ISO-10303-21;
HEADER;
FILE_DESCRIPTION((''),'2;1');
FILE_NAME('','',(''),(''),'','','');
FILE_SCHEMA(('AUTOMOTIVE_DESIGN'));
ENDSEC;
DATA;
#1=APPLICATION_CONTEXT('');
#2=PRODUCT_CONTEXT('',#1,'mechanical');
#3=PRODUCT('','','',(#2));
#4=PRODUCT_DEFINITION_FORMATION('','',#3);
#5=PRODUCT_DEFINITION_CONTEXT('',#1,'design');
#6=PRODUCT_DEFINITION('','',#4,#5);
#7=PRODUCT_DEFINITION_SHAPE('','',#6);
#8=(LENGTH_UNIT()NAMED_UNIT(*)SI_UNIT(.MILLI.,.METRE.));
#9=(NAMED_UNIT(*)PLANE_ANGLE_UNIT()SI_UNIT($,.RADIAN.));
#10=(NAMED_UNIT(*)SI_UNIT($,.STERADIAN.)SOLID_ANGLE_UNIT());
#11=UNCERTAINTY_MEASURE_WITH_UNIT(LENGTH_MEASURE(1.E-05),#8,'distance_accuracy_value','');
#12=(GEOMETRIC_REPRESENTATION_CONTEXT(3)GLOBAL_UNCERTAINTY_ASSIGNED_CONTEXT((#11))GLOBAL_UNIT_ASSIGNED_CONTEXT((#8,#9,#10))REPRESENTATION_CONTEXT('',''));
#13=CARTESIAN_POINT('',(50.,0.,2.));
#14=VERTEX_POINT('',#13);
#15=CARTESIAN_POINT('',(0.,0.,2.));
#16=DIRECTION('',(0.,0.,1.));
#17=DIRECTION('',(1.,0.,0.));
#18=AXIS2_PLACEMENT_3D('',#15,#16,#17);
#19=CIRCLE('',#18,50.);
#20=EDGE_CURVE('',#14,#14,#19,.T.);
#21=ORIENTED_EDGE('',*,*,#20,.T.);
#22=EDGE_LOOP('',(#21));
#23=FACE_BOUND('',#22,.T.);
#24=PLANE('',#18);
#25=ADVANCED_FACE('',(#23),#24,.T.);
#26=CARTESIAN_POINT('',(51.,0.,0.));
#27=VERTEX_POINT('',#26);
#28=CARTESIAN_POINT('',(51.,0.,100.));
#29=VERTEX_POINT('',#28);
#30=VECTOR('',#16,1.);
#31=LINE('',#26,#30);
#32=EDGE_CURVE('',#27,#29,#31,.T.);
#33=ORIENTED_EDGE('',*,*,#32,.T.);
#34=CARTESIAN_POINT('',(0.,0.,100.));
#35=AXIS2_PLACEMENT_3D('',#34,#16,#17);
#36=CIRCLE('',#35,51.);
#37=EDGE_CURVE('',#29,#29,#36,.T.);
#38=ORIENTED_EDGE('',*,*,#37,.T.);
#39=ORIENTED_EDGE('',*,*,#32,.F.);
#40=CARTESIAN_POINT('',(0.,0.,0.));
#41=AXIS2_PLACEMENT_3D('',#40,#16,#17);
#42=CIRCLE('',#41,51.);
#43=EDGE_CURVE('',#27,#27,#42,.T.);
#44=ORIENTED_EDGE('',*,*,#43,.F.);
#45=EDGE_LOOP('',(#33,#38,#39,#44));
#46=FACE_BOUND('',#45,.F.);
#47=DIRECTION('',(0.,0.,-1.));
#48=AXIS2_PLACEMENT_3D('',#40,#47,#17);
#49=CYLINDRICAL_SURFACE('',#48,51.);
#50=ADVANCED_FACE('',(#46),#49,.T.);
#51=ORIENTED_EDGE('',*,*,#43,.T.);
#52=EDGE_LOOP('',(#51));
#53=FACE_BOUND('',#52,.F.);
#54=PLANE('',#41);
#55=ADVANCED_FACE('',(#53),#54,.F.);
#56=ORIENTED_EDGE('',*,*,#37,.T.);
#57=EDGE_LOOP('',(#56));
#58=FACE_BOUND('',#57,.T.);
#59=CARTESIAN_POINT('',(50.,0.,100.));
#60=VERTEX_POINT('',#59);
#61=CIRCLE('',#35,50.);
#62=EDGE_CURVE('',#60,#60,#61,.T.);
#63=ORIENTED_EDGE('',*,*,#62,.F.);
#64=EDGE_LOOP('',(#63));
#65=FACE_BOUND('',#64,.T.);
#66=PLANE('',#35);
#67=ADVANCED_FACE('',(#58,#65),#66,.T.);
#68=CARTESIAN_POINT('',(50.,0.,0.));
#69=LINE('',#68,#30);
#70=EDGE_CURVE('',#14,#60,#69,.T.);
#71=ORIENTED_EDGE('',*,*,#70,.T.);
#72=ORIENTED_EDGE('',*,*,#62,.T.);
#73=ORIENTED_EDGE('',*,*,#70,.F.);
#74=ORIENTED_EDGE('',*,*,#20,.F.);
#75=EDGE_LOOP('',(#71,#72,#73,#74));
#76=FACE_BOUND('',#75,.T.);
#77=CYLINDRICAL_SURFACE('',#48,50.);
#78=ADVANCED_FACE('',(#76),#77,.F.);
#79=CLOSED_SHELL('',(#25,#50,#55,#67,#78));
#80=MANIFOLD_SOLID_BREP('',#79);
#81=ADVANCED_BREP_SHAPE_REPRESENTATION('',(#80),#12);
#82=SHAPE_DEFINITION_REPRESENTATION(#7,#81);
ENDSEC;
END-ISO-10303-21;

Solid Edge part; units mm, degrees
sketch "Sketch1" plane through (0, 0, 0) normal (0, 0, 1) x (1, 0, 0)
  circle A0 centre (0, 0) radius 51
  circle A1 centre (0, 0) radius 50
  dimension "D1" = 102
  dimension "D2" = 100
extrude "Protrusion1" add sketch "Sketch1" along normal blind 100
sketch "Sketch2" plane through (0, 0, 0) normal (0, 0, 1) x (1, 0, 0)
  circle A0 centre (0, 0) radius 50
extrude "ProtrusiónExtruida_2" add sketch "Sketch2" along normal blind 2
